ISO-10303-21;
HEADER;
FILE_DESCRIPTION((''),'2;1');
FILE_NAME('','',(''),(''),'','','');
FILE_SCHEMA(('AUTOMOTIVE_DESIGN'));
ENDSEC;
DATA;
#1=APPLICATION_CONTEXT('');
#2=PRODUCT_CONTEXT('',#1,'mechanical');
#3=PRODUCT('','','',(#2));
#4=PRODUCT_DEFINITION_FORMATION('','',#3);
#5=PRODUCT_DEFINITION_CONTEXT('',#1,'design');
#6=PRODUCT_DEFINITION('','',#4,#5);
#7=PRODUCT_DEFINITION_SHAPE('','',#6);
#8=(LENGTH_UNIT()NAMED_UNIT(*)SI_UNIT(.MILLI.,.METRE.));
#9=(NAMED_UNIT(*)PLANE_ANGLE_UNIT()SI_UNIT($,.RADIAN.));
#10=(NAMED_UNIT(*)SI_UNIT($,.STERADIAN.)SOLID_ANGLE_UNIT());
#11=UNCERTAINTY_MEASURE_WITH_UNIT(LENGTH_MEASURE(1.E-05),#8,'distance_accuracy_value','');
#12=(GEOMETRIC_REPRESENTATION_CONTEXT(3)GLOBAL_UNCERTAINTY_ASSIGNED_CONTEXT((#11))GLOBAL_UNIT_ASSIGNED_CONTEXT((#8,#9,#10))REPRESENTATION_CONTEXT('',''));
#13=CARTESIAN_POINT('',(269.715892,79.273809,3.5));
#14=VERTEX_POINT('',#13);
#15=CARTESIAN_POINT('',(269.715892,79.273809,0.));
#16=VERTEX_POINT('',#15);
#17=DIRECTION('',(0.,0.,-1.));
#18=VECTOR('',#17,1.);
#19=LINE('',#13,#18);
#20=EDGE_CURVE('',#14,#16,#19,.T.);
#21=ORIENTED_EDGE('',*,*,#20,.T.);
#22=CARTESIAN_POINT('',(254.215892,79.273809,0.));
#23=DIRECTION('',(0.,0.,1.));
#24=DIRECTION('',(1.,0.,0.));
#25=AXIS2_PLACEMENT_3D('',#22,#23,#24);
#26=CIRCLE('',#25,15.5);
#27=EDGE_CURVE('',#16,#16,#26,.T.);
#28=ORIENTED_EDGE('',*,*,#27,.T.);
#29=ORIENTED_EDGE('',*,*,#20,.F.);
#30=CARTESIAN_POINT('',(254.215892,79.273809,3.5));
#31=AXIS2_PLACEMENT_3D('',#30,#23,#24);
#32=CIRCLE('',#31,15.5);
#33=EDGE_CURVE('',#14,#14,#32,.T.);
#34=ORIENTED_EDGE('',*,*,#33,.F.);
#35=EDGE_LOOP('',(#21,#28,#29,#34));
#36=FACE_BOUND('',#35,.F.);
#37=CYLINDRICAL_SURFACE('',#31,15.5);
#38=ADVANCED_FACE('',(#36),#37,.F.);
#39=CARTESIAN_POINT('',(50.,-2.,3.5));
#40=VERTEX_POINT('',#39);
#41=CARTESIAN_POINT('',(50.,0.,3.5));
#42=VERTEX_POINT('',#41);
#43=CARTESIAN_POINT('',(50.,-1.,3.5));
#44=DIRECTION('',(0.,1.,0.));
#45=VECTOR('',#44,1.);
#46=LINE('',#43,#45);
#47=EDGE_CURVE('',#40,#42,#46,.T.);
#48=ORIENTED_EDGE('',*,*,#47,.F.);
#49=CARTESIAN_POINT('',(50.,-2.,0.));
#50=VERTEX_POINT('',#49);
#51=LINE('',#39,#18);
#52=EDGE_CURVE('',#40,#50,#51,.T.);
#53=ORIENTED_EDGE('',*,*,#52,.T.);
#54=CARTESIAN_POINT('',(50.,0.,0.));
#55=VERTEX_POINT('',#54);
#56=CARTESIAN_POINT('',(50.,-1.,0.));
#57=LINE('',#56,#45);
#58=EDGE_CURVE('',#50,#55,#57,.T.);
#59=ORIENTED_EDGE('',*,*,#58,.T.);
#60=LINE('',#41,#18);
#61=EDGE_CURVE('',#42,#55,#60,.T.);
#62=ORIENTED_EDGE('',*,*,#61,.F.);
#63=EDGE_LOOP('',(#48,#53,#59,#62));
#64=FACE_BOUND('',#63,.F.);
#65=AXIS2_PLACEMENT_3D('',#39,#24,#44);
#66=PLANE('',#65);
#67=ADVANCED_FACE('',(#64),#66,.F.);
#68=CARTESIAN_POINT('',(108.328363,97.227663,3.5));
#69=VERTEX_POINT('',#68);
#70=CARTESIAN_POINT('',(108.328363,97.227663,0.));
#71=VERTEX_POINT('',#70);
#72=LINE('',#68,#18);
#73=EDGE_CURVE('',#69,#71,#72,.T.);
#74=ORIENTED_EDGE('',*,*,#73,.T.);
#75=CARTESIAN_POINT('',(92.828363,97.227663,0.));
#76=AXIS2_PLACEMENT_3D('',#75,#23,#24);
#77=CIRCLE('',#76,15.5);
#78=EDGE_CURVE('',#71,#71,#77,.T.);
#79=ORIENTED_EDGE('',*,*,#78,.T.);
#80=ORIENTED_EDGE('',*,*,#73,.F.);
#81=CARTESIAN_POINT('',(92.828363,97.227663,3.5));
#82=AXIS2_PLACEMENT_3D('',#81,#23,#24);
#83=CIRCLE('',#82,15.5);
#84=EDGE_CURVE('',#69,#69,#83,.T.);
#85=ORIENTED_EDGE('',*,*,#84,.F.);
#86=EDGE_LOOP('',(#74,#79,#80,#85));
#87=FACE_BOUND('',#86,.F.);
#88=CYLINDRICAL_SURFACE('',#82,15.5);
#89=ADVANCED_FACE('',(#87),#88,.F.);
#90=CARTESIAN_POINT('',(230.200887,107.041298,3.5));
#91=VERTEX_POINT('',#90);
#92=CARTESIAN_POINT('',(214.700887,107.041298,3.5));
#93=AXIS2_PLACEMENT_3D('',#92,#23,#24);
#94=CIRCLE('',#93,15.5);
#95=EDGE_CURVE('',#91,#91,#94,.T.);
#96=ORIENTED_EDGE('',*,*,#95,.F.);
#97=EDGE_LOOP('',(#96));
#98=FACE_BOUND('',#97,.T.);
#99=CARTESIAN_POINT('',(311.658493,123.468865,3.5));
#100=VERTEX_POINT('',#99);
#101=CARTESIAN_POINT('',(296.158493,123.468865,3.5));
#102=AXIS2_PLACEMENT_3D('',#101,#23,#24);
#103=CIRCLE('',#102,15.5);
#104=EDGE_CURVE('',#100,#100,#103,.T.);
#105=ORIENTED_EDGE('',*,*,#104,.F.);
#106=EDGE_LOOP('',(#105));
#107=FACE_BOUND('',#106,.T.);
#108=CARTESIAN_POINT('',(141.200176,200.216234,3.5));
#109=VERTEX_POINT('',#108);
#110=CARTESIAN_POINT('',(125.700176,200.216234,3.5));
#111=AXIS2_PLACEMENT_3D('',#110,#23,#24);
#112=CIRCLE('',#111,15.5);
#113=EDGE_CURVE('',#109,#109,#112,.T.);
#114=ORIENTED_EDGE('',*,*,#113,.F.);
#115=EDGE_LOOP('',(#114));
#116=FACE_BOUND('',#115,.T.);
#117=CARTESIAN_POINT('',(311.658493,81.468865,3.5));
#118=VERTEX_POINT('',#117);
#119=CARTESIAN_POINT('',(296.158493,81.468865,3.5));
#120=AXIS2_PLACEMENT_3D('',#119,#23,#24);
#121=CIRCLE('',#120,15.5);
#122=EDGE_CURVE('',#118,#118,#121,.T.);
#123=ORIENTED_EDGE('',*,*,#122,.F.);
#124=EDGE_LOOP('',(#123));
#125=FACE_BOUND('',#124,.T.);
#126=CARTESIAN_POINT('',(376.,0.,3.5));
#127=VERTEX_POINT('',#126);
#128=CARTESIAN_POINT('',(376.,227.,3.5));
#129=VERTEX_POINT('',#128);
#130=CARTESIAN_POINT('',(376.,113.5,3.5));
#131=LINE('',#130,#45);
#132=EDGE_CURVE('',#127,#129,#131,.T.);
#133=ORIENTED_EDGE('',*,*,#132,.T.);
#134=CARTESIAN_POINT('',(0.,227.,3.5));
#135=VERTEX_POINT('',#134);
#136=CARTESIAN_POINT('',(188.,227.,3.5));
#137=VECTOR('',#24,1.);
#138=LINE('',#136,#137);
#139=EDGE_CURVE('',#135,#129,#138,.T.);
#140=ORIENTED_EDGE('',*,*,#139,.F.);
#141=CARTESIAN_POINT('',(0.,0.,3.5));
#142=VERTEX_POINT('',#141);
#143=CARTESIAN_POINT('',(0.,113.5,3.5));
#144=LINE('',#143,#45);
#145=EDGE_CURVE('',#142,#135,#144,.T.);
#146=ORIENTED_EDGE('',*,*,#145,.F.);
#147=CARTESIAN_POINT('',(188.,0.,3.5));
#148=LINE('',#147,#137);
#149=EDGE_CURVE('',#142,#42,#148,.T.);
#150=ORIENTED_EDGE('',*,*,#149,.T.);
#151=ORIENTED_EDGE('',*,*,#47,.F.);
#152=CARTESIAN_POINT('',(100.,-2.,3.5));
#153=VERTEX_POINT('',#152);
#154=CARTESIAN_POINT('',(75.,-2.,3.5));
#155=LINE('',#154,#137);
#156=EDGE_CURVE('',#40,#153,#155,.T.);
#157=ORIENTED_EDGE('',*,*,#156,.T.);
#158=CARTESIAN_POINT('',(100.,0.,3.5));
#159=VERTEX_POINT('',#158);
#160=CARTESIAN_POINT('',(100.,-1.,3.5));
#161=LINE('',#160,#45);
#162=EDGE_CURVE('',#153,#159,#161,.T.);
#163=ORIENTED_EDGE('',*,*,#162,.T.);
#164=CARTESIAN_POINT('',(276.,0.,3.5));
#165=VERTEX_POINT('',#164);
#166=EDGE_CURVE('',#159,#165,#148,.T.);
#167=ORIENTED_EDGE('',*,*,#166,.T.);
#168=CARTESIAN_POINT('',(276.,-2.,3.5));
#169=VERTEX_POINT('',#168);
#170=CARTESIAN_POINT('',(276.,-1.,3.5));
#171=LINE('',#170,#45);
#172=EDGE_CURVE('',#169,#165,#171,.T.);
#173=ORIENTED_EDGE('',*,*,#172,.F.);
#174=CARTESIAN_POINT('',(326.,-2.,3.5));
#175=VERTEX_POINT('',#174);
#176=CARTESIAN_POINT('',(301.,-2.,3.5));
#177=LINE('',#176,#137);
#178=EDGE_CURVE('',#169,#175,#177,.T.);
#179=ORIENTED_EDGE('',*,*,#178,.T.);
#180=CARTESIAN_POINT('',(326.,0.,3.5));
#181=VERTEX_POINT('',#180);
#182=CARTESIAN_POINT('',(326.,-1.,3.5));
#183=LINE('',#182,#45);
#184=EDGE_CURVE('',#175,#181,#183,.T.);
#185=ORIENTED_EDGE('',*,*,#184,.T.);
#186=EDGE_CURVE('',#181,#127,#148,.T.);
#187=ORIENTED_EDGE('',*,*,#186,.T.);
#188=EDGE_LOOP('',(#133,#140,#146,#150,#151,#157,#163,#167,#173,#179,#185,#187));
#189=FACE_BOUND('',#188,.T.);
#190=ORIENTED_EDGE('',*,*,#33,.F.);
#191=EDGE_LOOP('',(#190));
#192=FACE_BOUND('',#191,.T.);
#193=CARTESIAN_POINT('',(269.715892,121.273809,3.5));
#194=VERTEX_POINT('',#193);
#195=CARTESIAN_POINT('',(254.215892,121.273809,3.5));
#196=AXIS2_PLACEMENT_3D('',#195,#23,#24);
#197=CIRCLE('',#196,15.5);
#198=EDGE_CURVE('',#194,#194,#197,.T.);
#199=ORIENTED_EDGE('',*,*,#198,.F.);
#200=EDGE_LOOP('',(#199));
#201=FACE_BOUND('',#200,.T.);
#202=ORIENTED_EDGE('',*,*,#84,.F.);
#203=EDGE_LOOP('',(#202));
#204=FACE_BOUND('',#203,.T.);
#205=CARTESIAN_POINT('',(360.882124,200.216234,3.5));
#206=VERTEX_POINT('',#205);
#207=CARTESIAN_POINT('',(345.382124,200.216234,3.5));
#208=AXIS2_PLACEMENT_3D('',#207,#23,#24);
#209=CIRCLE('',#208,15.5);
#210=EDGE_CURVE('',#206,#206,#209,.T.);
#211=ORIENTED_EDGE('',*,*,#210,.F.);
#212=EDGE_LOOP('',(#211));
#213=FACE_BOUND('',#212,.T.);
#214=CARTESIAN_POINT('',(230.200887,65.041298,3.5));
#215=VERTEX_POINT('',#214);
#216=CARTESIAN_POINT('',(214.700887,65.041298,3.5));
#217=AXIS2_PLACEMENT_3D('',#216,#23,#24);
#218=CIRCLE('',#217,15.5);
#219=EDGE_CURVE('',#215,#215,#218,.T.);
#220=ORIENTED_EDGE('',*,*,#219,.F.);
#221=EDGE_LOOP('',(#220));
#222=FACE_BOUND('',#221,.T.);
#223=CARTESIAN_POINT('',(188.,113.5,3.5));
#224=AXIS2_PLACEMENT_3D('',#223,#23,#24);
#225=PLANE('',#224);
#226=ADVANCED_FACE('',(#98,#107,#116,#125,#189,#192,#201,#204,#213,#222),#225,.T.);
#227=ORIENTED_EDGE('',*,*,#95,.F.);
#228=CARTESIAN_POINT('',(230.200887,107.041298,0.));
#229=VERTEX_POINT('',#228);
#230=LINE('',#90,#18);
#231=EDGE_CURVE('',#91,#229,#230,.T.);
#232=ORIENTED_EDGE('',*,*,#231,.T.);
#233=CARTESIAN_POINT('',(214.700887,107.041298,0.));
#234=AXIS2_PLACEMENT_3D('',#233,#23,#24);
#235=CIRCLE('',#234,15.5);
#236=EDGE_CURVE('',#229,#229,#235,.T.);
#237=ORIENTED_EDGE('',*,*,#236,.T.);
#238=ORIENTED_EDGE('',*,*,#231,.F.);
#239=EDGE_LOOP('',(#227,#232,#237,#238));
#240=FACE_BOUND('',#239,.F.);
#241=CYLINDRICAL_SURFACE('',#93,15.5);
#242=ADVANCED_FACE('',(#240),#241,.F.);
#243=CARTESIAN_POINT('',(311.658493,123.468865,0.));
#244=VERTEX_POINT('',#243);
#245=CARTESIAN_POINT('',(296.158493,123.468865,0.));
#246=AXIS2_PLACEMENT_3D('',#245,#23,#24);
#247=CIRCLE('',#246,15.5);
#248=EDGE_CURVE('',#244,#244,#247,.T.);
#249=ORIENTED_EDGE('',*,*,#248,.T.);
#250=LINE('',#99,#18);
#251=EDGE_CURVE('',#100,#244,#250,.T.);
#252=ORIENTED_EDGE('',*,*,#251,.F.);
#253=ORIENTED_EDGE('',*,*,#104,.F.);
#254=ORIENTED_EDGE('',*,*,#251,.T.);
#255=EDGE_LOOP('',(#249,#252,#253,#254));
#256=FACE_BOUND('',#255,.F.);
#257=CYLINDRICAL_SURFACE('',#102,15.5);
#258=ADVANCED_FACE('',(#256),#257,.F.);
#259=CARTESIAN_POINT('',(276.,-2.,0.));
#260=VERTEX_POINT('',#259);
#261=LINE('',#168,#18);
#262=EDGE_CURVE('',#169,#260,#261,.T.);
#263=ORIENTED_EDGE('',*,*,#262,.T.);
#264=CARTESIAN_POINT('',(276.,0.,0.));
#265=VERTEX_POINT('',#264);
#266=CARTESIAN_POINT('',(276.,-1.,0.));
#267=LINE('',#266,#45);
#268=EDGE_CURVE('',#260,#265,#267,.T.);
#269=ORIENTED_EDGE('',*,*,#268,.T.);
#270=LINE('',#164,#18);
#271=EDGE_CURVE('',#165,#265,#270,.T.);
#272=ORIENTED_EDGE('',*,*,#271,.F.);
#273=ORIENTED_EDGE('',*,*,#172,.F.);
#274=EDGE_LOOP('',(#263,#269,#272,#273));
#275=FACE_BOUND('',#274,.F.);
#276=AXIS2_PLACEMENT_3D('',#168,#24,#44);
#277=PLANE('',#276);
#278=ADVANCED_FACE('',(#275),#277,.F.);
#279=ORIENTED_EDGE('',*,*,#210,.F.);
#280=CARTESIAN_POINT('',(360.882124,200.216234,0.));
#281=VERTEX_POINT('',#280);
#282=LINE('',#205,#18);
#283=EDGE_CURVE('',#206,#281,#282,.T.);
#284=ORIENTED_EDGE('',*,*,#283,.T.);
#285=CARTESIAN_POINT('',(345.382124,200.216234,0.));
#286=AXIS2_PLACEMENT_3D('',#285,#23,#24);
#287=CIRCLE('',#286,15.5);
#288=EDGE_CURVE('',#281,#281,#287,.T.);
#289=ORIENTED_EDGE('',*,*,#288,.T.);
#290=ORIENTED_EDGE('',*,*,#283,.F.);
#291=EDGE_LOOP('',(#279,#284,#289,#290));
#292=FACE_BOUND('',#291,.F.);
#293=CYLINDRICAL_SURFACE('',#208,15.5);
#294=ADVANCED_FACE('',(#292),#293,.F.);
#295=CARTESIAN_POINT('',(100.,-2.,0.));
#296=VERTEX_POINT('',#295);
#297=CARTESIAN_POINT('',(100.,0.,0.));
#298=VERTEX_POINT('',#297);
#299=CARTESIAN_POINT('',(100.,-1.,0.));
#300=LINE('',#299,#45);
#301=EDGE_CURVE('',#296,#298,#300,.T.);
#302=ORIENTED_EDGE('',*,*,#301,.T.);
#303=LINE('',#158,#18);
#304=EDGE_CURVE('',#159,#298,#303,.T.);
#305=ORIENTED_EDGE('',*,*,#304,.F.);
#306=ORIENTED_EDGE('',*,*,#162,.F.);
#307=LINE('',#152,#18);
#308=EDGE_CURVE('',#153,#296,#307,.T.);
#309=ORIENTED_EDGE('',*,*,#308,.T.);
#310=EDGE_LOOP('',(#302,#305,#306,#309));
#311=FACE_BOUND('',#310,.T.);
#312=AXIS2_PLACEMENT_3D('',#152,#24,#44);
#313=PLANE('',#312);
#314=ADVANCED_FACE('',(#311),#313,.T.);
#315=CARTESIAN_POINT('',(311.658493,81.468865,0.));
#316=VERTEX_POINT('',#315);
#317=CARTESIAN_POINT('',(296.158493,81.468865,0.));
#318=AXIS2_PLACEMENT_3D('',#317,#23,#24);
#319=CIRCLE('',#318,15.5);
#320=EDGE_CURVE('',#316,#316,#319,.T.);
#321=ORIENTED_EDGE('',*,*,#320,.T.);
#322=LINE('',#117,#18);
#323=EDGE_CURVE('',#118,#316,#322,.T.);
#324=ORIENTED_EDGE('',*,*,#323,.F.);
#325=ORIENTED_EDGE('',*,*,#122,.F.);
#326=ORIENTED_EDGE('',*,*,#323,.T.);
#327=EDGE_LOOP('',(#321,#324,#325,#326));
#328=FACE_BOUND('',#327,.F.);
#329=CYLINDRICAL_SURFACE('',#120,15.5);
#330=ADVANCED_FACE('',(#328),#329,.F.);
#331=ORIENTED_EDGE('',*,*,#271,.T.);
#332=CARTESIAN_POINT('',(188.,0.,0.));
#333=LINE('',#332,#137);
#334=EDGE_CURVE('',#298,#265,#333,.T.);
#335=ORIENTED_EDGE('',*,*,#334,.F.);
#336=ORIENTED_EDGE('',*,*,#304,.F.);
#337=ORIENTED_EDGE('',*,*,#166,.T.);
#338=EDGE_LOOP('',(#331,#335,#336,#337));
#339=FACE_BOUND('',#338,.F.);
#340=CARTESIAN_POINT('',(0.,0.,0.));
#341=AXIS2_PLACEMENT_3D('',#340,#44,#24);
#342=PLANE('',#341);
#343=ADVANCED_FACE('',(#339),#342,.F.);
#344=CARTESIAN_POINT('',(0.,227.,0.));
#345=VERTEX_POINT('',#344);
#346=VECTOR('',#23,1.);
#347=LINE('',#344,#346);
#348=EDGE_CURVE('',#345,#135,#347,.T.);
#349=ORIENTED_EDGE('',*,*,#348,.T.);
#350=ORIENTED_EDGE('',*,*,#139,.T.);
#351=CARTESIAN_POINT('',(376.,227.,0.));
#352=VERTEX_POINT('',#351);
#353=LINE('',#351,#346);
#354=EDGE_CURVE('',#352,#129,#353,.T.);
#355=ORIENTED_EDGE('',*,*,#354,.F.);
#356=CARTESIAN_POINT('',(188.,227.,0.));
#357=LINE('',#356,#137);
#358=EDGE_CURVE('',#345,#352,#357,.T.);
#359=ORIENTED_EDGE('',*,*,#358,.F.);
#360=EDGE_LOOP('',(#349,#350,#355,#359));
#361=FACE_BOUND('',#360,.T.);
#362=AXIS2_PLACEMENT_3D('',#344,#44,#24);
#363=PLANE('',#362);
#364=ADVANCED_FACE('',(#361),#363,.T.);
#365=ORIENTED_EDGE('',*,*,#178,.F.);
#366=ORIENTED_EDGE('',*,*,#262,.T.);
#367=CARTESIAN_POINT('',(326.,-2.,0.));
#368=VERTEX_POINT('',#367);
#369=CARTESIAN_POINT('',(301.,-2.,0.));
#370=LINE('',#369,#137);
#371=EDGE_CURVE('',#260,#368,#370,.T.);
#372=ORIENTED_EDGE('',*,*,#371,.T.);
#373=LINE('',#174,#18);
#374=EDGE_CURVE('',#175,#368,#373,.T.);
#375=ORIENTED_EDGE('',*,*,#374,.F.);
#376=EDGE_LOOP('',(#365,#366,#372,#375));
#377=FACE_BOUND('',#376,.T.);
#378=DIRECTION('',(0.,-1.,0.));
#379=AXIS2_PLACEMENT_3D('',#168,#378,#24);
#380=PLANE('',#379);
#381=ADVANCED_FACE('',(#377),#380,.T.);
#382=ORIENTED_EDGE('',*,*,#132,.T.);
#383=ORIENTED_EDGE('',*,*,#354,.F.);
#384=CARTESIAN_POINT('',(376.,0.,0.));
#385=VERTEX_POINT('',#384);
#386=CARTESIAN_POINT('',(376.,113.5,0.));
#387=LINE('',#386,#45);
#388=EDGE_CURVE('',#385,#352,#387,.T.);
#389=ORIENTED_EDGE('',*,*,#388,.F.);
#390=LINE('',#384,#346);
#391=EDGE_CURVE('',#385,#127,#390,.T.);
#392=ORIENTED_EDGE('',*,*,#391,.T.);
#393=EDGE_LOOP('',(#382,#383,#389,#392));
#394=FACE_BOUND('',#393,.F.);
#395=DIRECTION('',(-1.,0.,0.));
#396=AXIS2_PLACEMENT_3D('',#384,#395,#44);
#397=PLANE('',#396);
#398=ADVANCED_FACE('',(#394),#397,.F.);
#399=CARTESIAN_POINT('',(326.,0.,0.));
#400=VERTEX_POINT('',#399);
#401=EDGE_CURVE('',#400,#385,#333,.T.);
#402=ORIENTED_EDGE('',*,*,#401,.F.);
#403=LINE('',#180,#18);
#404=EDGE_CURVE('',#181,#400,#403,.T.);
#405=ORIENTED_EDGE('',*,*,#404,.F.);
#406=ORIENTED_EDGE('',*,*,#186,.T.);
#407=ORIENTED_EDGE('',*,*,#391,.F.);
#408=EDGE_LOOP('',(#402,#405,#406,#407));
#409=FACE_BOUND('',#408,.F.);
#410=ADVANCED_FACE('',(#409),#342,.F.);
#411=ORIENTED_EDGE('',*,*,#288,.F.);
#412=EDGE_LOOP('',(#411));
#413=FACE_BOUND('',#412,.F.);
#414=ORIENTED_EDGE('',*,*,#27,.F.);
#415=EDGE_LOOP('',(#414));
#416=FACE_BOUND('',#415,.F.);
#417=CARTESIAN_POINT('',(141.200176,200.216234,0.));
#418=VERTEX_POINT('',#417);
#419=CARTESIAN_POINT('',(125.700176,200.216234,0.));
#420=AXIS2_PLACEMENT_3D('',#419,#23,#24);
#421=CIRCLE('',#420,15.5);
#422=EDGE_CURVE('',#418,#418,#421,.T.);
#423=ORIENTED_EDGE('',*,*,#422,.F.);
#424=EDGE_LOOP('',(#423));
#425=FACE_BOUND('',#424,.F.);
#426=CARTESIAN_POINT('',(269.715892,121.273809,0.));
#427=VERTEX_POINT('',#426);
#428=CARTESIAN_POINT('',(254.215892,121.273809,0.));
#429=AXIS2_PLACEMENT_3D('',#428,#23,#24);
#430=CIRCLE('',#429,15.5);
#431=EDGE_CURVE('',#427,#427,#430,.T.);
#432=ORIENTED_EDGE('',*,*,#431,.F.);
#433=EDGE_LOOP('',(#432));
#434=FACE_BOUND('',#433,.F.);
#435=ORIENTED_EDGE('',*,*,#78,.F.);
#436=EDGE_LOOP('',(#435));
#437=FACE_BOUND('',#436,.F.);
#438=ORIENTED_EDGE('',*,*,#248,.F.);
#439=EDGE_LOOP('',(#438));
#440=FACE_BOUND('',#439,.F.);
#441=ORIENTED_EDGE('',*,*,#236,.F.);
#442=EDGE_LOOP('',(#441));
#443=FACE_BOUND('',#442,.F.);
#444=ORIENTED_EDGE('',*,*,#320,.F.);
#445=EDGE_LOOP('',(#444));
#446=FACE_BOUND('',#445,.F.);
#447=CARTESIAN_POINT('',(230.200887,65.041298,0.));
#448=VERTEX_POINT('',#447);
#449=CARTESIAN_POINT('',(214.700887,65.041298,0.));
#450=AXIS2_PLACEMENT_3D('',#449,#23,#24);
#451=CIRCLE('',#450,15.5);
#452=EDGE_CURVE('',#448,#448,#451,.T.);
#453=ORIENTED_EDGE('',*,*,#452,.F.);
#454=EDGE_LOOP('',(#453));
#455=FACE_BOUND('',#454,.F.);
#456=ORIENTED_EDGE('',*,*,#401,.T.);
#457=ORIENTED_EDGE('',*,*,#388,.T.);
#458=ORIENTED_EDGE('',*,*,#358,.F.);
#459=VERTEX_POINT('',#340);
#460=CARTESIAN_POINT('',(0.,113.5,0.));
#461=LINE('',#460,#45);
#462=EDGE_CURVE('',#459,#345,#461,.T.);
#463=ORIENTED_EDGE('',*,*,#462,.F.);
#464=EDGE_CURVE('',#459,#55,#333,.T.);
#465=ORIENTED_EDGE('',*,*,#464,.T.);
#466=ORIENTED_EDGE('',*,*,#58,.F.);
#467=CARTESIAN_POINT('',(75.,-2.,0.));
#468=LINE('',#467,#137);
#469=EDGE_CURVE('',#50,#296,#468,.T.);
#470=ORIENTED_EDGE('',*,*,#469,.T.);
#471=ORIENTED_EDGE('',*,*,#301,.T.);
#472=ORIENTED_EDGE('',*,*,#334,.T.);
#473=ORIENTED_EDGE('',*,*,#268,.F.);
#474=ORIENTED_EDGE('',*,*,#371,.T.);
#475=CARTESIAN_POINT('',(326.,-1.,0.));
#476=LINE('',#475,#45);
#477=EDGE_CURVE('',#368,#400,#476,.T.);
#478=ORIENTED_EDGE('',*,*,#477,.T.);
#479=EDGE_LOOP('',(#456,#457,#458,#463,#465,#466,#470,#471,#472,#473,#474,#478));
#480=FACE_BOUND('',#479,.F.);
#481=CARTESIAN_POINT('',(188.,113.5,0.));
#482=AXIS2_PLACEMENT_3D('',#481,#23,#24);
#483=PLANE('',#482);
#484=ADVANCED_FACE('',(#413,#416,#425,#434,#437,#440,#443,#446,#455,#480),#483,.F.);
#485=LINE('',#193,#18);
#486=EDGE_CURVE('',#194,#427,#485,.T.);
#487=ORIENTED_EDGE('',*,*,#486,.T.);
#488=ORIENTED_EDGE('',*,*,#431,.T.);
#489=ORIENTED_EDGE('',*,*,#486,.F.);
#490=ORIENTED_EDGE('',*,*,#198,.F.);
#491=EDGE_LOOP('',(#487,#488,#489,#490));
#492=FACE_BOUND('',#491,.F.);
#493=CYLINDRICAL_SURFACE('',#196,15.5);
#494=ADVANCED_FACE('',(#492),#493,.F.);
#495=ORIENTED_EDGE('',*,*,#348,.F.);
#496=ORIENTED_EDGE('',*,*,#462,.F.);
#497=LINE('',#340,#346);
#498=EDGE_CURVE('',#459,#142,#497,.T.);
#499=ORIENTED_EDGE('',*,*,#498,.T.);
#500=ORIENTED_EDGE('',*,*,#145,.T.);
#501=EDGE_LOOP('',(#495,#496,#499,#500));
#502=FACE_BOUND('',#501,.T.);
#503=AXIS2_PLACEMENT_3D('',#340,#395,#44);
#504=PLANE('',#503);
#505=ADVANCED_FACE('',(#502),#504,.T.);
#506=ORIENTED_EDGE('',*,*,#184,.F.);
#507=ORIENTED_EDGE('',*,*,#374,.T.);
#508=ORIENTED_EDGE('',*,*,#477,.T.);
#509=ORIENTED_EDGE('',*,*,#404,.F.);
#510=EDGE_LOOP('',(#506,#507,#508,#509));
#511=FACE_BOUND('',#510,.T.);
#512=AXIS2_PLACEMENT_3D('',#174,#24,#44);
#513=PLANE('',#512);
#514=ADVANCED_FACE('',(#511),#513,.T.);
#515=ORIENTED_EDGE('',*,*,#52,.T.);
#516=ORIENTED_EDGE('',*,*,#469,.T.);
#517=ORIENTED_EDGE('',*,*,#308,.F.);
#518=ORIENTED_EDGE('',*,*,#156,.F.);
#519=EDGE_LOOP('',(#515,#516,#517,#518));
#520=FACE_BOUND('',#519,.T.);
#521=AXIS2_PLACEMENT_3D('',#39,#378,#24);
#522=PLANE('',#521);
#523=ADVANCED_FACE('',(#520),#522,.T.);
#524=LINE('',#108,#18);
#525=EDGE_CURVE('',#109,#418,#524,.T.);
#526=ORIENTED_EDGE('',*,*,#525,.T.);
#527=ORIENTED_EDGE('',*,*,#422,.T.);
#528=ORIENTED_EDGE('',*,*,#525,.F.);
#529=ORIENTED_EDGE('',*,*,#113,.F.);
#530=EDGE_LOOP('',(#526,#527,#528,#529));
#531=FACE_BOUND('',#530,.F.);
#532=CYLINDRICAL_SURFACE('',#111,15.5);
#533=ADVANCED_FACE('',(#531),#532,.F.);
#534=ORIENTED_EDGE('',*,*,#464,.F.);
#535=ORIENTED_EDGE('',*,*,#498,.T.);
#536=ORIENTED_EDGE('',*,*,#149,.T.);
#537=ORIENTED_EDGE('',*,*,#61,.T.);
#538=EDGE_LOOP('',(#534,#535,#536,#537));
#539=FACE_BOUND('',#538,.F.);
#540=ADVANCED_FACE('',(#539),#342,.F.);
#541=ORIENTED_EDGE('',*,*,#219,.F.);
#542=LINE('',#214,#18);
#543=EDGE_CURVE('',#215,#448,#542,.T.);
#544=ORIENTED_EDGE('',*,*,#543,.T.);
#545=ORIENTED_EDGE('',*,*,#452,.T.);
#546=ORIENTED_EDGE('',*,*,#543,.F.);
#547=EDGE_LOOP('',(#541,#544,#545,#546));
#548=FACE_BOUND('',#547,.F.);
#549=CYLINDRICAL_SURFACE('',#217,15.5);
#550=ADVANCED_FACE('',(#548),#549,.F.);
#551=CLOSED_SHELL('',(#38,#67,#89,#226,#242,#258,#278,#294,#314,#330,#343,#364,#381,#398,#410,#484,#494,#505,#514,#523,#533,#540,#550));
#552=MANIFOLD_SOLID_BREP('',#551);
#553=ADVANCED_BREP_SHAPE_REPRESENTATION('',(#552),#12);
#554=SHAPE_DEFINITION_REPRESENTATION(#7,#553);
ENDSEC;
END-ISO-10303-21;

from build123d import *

# Parameters (mm, degrees)
F0_W     = 376
F0_H     = 227
F1_DEPTH = 3.5
F2_R     = 15.5
F3_DEPTH = 25
F5_W     = 50
F5_H     = 2
F6_DEPTH = 3.5


with BuildPart() as f1:
    # F0 (on Top) → F1 (new body)
    with BuildSketch(Plane.XY):
        with Locations((188, 113.5)):
            Rectangle(F0_W, F0_H)
    extrude(amount=F1_DEPTH)

    # F2 (on face) → F3 (cut)
    with BuildSketch(Plane.XY.offset(3.5)):
        with Locations((92.828363, 97.227663)):
            Circle(F2_R)
        with Locations((125.700176, 200.216234)):
            Circle(F2_R)
        with Locations((214.700887, 107.041298)):
            Circle(F2_R)
        with Locations((214.700887, 65.041298)):
            Circle(F2_R)
        with Locations((254.215892, 79.273809)):
            Circle(F2_R)
        with Locations((254.215892, 121.273809)):
            Circle(F2_R)
        with Locations((296.158493, 123.468865)):
            Circle(F2_R)
        with Locations((296.158493, 81.468865)):
            Circle(F2_R)
        with Locations((345.382124, 200.216234)):
            Circle(F2_R)
    extrude(amount=-F3_DEPTH, mode=Mode.SUBTRACT)

    # F5 (on face) → F6 (join)
    with BuildSketch(Plane.XY.offset(3.5)):
        with Locations((75, -1)):
            Rectangle(F5_W, F5_H)
        with Locations((301, -1)):
            Rectangle(F5_W, F5_H)
    extrude(amount=-F6_DEPTH)


solid = f1.part
